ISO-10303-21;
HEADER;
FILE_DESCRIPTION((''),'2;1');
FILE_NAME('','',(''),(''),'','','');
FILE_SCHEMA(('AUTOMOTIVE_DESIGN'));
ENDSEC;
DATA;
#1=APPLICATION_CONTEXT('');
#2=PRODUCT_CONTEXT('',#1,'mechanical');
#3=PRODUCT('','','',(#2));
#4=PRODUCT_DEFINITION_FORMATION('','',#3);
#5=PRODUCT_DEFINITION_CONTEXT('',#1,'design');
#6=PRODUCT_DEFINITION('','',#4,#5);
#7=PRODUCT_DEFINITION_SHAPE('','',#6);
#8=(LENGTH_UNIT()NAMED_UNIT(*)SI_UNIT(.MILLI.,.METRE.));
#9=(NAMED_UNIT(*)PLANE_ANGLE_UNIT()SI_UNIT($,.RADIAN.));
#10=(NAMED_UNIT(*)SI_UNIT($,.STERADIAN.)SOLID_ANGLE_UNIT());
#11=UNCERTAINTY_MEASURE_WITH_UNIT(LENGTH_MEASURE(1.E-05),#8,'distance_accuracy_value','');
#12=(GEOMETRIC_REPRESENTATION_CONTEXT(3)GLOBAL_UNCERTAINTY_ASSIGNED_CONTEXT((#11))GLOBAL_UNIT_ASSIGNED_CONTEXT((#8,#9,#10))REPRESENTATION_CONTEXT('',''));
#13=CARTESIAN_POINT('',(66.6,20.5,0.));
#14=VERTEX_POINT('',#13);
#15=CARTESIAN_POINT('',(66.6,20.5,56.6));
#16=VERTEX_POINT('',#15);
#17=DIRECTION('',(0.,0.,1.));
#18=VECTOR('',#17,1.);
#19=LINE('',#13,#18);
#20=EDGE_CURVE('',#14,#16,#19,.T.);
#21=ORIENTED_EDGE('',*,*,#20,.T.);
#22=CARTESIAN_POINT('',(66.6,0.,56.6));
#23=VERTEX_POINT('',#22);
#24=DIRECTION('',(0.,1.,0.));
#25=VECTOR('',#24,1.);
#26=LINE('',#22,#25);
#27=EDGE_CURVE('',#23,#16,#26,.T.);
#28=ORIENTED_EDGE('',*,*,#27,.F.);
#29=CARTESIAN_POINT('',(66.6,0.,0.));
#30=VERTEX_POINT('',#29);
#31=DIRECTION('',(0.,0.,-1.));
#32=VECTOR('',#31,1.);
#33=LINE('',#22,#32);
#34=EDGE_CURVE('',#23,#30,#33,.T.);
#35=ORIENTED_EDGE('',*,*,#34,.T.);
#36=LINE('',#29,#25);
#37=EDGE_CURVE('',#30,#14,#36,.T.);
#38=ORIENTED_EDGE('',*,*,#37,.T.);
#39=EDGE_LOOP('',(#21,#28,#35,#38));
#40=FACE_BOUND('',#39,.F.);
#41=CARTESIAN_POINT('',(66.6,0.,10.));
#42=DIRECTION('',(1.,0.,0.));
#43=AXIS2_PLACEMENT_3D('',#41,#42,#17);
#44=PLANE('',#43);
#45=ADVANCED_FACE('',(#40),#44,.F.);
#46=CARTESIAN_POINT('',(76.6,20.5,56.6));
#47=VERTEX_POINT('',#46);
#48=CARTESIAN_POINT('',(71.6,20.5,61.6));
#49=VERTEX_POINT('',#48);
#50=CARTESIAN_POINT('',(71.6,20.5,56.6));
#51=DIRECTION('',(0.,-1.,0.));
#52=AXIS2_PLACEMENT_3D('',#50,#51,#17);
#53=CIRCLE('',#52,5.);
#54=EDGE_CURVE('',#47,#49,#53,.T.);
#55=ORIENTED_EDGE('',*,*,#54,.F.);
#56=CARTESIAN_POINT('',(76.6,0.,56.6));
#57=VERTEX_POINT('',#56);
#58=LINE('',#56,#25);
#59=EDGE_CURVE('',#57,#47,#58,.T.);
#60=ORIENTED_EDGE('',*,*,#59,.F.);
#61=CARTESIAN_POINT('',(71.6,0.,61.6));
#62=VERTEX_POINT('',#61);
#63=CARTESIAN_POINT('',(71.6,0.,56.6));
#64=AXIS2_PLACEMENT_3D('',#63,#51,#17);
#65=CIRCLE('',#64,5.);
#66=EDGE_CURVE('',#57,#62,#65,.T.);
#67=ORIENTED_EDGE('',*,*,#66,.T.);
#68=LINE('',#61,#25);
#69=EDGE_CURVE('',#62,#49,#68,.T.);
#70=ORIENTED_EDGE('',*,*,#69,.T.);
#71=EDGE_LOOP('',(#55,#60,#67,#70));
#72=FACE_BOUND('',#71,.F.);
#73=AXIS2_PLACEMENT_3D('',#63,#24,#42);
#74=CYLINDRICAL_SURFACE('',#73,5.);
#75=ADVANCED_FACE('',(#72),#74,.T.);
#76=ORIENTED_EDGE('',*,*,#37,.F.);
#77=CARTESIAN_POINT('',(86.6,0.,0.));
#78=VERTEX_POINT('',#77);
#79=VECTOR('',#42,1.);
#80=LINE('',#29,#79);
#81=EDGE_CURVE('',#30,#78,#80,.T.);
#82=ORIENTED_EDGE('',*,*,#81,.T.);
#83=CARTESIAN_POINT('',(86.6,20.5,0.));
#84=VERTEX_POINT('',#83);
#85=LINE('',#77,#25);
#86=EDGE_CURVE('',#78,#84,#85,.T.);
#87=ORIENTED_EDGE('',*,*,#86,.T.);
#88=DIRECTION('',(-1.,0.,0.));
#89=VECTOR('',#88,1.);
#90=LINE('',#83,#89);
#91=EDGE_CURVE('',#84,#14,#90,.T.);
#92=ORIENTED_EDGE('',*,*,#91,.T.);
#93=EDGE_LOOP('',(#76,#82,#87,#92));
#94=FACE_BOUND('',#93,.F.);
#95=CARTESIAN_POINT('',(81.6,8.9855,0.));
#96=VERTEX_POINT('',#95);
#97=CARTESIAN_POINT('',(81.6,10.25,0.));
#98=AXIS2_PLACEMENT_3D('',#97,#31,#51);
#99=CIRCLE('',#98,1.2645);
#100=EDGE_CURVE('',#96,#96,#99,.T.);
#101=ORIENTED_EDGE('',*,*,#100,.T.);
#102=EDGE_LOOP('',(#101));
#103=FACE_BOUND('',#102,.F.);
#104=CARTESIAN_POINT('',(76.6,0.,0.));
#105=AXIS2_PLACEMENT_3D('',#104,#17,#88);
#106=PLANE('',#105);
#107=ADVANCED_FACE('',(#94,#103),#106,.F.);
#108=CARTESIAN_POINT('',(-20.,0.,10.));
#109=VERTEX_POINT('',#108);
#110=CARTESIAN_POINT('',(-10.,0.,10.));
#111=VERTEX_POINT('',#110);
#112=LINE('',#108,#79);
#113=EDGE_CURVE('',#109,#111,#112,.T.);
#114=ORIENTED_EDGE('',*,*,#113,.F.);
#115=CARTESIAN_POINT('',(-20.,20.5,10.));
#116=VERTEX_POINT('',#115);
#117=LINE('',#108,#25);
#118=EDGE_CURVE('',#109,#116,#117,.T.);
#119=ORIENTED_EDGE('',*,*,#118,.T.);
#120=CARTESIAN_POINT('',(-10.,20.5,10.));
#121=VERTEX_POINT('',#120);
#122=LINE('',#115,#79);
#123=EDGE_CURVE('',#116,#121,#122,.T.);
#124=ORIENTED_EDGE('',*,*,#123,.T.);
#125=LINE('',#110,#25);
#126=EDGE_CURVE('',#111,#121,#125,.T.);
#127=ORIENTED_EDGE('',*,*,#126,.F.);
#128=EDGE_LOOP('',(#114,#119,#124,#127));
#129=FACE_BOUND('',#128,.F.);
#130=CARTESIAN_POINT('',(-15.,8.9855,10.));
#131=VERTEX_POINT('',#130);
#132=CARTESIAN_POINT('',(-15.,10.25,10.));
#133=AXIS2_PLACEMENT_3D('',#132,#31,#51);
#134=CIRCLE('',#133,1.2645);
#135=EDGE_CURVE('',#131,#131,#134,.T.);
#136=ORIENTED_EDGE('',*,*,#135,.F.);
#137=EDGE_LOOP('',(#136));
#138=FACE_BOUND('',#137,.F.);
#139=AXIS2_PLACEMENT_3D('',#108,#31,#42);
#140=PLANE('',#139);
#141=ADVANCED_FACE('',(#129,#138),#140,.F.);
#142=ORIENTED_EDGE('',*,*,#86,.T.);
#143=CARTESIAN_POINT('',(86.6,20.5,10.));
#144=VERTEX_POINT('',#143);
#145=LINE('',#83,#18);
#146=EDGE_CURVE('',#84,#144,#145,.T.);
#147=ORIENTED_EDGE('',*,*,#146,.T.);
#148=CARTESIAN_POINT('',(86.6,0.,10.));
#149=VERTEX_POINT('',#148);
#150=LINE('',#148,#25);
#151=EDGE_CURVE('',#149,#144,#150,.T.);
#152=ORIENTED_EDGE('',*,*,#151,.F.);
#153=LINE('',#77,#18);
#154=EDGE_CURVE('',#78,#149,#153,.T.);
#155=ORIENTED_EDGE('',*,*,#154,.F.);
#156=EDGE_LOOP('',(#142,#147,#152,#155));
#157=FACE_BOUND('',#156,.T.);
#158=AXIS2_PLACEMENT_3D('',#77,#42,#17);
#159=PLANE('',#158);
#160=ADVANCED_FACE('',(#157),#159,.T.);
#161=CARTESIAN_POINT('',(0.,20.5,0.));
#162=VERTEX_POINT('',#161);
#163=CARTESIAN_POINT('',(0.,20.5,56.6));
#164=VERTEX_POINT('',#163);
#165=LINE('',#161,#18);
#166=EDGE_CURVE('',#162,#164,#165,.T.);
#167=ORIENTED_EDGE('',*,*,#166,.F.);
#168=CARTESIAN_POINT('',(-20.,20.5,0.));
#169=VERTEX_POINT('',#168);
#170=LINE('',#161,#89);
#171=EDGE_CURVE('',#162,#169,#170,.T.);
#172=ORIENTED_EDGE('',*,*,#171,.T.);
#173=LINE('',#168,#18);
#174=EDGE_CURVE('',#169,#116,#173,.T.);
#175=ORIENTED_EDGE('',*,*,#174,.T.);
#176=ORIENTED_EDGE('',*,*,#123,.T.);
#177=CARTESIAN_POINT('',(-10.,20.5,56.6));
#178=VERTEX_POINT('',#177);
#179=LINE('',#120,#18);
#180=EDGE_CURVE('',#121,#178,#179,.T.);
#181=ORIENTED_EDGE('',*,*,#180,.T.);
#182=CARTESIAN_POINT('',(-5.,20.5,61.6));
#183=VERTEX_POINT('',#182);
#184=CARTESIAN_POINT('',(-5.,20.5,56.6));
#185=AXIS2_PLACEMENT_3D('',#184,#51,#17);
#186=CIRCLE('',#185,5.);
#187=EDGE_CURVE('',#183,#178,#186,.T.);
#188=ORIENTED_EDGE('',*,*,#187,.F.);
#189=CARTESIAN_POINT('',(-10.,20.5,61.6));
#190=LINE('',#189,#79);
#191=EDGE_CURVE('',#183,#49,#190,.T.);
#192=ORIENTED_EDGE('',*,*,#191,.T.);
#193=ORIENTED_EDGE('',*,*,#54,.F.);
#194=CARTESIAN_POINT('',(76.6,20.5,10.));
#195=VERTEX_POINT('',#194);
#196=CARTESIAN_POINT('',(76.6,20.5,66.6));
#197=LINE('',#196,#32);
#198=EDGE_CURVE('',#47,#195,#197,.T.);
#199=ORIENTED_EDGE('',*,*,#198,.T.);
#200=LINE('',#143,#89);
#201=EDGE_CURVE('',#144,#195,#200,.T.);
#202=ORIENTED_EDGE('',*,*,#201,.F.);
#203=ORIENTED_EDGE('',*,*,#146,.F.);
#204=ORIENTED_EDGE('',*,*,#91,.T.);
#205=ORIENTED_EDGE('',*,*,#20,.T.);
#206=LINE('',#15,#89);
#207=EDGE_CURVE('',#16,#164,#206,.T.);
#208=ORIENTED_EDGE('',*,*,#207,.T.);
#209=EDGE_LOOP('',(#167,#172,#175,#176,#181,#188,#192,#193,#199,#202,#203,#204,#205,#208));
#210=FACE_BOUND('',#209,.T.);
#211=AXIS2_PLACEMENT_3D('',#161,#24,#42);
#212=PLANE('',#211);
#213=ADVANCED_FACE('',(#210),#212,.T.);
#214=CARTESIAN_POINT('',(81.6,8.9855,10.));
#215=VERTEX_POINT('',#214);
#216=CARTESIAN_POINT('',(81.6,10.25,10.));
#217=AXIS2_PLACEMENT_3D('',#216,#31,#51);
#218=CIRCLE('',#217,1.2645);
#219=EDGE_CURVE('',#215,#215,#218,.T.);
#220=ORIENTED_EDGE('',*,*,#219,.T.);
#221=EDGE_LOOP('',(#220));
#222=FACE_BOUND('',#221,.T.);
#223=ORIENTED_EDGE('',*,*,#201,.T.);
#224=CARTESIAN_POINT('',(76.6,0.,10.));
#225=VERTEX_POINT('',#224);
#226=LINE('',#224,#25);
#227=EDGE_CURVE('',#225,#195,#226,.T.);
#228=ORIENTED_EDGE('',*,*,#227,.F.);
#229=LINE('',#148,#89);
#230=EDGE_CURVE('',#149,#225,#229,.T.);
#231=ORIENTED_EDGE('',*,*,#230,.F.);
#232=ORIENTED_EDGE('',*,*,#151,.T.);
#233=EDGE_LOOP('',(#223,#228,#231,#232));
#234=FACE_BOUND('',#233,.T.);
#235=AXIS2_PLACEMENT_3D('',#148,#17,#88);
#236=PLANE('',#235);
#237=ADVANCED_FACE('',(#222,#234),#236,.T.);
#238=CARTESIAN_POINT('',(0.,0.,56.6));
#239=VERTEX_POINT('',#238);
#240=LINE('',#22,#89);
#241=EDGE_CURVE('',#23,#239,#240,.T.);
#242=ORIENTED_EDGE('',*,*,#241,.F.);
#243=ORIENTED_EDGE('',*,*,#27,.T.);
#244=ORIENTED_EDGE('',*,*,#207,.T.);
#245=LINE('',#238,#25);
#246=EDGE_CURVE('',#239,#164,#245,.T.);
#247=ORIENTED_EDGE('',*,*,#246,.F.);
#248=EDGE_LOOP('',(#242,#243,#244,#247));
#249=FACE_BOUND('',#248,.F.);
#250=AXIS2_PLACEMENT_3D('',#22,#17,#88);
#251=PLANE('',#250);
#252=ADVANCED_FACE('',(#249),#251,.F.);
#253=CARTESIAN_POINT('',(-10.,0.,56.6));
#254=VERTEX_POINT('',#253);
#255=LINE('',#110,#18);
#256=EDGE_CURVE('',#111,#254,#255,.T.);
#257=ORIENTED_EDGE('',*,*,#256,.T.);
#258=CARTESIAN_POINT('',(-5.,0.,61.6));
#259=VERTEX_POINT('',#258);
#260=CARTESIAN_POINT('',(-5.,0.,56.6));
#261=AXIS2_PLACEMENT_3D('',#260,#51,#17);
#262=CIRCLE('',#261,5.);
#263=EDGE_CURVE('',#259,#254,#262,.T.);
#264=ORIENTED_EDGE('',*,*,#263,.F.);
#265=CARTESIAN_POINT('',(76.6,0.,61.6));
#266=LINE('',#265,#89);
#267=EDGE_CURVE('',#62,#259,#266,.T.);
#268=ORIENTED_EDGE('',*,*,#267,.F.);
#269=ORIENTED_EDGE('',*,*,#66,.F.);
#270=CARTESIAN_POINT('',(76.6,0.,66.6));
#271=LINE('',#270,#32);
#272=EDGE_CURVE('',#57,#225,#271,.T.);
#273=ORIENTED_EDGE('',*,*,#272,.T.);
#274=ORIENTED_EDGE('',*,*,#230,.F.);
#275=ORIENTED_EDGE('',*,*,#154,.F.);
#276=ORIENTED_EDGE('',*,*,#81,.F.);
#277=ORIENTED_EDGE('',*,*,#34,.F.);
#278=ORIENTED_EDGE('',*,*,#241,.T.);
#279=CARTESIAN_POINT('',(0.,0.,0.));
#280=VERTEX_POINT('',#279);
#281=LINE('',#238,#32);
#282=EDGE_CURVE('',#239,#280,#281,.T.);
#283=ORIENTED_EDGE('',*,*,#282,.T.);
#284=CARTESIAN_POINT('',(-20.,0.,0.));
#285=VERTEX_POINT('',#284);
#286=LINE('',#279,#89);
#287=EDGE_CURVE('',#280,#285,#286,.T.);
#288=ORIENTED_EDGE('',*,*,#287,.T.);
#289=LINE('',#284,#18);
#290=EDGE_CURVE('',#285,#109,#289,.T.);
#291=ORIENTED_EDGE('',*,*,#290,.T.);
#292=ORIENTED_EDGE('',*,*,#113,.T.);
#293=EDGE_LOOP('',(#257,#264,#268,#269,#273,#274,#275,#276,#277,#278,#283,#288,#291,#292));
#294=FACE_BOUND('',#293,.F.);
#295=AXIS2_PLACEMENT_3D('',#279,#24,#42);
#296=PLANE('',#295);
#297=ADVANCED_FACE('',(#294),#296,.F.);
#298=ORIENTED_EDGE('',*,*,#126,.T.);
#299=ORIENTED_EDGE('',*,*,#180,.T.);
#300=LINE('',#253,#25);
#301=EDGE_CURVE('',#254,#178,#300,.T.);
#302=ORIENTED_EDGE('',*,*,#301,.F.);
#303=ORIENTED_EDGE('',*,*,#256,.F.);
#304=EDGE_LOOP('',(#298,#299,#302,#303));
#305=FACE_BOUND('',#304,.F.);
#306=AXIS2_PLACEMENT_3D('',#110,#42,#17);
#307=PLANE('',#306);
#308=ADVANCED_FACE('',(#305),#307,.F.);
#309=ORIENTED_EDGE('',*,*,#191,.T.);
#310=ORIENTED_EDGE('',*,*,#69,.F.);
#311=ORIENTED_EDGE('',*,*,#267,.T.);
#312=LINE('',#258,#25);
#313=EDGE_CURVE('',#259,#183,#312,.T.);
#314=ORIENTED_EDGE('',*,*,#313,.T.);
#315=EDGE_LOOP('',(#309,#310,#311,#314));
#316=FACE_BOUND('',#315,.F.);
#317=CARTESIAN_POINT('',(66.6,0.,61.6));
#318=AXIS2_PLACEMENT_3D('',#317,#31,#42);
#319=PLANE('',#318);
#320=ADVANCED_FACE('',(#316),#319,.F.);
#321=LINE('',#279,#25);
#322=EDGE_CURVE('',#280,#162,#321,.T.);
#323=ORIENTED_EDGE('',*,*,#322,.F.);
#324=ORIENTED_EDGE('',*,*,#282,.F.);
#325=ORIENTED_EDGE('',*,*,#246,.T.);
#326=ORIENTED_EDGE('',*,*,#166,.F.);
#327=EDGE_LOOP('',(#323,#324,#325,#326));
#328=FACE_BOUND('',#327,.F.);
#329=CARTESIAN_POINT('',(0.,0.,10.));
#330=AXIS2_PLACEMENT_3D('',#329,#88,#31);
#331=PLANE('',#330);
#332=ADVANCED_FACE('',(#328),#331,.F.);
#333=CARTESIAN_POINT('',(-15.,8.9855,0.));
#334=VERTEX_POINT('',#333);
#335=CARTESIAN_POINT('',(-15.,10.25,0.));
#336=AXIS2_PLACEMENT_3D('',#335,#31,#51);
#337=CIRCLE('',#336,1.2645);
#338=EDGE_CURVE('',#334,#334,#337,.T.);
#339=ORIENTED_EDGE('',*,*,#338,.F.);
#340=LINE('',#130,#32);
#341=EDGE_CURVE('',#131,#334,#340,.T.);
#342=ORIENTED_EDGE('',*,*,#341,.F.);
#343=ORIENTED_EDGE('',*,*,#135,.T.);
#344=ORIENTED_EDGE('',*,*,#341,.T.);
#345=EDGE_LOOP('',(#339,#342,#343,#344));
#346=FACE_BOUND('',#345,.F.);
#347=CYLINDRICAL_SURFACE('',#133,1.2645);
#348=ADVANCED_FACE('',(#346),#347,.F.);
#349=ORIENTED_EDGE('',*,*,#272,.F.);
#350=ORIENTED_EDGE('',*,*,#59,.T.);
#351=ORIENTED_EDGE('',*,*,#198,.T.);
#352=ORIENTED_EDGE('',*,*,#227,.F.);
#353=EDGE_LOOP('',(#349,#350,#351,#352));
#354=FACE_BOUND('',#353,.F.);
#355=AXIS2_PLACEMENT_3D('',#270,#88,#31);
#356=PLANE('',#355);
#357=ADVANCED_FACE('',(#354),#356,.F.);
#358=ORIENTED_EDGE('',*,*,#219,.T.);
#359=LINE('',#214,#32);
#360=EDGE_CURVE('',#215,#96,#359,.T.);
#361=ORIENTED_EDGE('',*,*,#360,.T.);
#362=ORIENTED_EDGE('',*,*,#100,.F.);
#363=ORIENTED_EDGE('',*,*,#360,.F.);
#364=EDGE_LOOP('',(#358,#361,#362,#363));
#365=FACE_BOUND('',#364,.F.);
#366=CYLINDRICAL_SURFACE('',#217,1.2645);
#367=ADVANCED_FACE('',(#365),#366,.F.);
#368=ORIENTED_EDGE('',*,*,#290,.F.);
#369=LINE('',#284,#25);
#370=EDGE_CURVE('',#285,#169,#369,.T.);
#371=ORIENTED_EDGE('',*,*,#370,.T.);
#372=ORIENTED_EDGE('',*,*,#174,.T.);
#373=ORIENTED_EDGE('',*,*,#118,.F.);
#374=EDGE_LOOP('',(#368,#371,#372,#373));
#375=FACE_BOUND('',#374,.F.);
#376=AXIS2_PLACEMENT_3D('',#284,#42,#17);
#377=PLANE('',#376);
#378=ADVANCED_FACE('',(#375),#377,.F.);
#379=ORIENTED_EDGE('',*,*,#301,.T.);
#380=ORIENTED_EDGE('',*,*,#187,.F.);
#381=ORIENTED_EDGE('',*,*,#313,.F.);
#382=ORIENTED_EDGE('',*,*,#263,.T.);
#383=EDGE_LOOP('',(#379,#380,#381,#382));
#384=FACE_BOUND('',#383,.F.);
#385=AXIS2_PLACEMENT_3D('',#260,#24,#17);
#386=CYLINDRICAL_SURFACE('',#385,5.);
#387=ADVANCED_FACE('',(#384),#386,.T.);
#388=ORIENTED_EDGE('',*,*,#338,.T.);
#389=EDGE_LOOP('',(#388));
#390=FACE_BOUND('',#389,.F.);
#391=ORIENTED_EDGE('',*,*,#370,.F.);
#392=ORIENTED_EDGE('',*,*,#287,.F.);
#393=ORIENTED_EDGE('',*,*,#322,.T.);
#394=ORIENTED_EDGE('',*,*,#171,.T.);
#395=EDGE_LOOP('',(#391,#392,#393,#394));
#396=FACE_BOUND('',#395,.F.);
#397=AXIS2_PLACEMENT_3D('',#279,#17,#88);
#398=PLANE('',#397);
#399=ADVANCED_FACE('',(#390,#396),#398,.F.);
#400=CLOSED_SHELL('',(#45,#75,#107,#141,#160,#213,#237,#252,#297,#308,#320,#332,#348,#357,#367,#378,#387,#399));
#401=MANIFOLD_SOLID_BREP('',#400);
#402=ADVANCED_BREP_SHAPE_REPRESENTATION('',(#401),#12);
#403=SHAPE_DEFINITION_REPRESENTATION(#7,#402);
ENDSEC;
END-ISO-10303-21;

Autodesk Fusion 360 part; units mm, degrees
sketch "Sketch1" plane through (0, 0, 0) normal (0, 1, 0) x (1, 0, 0)
  line L0 (0, 0) -> (66.6, 0)
  line L1 (66.6, 0) -> (66.6, -56.6)
  line L2 (66.6, -56.6) -> (0, -56.6)
  line L3 (0, -56.6) -> (0, 0)
  line L4 (0, 0) -> (-20, 0)
  line L5 (-20, 0) -> (-20, -10)
  line L6 (-20, -10) -> (-10, -10)
  line L7 (0, -10) -> (0, 0)
  line L8 (-10, -10) -> (-10, -66.6)
  line L9 (-10, -66.6) -> (0, -66.6)
  line L10 (0, -56.6) -> (0, -10)
  line L11 (0, -66.6) -> (66.6, -66.6)
  line L12 (66.6, -56.6) -> (0, -56.6)
  line L13 (66.6, -66.6) -> (76.6, -66.6)
  line L14 (76.6, -66.6) -> (76.6, -10)
  line L15 (76.6, 0) -> (66.6, 0)
  line L16 (66.6, 0) -> (66.6, -56.6)
  line L17 (66.6, 0) -> (86.6, 0)
  line L18 (86.6, 0) -> (86.6, -10)
  line L19 (86.6, -10) -> (76.6, -10)
  line L20 (66.6, -10) -> (66.6, 0)
  dimension "d19" = 66.6
  dimension "d20" = 56.6
  dimension "d21" = 20
  dimension "d22" = 10
  dimension "d23" = 10
  dimension "d24" = 56.6
  dimension "d25" = 10
  dimension "d26" = 20
  dimension "d27" = 10
extrude "Extrude2" add sketch "Sketch1" along normal blind 20.5 contours L1 L2 L3 L4 L5 L6 L7 L8 L9 L10 L11 L12 L13 L14 L15 L16 L17 L18 L19 L20
sketch "Sketch4" plane through (0, 0, 10) normal (0, 0, 1) x (-1, 0, 0)
  line L0 (20, 0) -> (10, 0)
  line L1 (10, 0) -> (10, -20.5)
  line L2 (10, -20.5) -> (20, -20.5)
  line L3 (20, -20.5) -> (20, 0)
  circle A0 centre (15, -10.25) radius 1.5
  dimension "d32" = 3
sketch "Sketch5" plane through (0, 0, 10) normal (0, 0, 1) x (-1, 0, 0)
  line L0 (-76.6, 0) -> (-86.6, 0)
  line L1 (-86.6, 0) -> (-86.6, -20.5)
  line L2 (-86.6, -20.5) -> (-76.6, -20.5)
  line L3 (-76.6, -20.5) -> (-76.6, 0)
  circle A0 centre (-81.6, -10.25) radius 1.5
  dimension "d33" = 3
hole "Hole2" at (-15, 10.25, 10) at (81.6, 10.25, 10) direction (0, 0, -1) diameter 2.529 depth 15 tip angle 118
sketch "Sketch6" plane through (0, 0, 0) normal (0, 0, -1) x (1, 0, 0)
  circle A0 centre (-15, -10.25) radius 1.2645
  line L0 (0, 0) -> (-20, 0)
  line L1 (-20, 0) -> (-20, -20.5)
  line L2 (-20, -20.5) -> (0, -20.5)
  line L3 (0, -20.5) -> (0, 0)
  line L4 (-20, 0) -> (0, 0)
  line L5 (0, 0) -> (0, -20.5)
  line L6 (0, -20.5) -> (-20, -20.5)
  line L7 (-20, -20.5) -> (-20, 0)
  line L8 (-15, -10.25) -> (-20, -10.25)
  line L9 (-15, -10.25) -> (-15, 0)
extrude "Extrude3" cut 1 faces at (18.8667, 6.8333, 66.6) along direction (0, 0, -1) blind 5
fillet "Fillet3" radius 5 2 edges at (-10, 10.25, 61.6) (76.6, 10.25, 61.6)
